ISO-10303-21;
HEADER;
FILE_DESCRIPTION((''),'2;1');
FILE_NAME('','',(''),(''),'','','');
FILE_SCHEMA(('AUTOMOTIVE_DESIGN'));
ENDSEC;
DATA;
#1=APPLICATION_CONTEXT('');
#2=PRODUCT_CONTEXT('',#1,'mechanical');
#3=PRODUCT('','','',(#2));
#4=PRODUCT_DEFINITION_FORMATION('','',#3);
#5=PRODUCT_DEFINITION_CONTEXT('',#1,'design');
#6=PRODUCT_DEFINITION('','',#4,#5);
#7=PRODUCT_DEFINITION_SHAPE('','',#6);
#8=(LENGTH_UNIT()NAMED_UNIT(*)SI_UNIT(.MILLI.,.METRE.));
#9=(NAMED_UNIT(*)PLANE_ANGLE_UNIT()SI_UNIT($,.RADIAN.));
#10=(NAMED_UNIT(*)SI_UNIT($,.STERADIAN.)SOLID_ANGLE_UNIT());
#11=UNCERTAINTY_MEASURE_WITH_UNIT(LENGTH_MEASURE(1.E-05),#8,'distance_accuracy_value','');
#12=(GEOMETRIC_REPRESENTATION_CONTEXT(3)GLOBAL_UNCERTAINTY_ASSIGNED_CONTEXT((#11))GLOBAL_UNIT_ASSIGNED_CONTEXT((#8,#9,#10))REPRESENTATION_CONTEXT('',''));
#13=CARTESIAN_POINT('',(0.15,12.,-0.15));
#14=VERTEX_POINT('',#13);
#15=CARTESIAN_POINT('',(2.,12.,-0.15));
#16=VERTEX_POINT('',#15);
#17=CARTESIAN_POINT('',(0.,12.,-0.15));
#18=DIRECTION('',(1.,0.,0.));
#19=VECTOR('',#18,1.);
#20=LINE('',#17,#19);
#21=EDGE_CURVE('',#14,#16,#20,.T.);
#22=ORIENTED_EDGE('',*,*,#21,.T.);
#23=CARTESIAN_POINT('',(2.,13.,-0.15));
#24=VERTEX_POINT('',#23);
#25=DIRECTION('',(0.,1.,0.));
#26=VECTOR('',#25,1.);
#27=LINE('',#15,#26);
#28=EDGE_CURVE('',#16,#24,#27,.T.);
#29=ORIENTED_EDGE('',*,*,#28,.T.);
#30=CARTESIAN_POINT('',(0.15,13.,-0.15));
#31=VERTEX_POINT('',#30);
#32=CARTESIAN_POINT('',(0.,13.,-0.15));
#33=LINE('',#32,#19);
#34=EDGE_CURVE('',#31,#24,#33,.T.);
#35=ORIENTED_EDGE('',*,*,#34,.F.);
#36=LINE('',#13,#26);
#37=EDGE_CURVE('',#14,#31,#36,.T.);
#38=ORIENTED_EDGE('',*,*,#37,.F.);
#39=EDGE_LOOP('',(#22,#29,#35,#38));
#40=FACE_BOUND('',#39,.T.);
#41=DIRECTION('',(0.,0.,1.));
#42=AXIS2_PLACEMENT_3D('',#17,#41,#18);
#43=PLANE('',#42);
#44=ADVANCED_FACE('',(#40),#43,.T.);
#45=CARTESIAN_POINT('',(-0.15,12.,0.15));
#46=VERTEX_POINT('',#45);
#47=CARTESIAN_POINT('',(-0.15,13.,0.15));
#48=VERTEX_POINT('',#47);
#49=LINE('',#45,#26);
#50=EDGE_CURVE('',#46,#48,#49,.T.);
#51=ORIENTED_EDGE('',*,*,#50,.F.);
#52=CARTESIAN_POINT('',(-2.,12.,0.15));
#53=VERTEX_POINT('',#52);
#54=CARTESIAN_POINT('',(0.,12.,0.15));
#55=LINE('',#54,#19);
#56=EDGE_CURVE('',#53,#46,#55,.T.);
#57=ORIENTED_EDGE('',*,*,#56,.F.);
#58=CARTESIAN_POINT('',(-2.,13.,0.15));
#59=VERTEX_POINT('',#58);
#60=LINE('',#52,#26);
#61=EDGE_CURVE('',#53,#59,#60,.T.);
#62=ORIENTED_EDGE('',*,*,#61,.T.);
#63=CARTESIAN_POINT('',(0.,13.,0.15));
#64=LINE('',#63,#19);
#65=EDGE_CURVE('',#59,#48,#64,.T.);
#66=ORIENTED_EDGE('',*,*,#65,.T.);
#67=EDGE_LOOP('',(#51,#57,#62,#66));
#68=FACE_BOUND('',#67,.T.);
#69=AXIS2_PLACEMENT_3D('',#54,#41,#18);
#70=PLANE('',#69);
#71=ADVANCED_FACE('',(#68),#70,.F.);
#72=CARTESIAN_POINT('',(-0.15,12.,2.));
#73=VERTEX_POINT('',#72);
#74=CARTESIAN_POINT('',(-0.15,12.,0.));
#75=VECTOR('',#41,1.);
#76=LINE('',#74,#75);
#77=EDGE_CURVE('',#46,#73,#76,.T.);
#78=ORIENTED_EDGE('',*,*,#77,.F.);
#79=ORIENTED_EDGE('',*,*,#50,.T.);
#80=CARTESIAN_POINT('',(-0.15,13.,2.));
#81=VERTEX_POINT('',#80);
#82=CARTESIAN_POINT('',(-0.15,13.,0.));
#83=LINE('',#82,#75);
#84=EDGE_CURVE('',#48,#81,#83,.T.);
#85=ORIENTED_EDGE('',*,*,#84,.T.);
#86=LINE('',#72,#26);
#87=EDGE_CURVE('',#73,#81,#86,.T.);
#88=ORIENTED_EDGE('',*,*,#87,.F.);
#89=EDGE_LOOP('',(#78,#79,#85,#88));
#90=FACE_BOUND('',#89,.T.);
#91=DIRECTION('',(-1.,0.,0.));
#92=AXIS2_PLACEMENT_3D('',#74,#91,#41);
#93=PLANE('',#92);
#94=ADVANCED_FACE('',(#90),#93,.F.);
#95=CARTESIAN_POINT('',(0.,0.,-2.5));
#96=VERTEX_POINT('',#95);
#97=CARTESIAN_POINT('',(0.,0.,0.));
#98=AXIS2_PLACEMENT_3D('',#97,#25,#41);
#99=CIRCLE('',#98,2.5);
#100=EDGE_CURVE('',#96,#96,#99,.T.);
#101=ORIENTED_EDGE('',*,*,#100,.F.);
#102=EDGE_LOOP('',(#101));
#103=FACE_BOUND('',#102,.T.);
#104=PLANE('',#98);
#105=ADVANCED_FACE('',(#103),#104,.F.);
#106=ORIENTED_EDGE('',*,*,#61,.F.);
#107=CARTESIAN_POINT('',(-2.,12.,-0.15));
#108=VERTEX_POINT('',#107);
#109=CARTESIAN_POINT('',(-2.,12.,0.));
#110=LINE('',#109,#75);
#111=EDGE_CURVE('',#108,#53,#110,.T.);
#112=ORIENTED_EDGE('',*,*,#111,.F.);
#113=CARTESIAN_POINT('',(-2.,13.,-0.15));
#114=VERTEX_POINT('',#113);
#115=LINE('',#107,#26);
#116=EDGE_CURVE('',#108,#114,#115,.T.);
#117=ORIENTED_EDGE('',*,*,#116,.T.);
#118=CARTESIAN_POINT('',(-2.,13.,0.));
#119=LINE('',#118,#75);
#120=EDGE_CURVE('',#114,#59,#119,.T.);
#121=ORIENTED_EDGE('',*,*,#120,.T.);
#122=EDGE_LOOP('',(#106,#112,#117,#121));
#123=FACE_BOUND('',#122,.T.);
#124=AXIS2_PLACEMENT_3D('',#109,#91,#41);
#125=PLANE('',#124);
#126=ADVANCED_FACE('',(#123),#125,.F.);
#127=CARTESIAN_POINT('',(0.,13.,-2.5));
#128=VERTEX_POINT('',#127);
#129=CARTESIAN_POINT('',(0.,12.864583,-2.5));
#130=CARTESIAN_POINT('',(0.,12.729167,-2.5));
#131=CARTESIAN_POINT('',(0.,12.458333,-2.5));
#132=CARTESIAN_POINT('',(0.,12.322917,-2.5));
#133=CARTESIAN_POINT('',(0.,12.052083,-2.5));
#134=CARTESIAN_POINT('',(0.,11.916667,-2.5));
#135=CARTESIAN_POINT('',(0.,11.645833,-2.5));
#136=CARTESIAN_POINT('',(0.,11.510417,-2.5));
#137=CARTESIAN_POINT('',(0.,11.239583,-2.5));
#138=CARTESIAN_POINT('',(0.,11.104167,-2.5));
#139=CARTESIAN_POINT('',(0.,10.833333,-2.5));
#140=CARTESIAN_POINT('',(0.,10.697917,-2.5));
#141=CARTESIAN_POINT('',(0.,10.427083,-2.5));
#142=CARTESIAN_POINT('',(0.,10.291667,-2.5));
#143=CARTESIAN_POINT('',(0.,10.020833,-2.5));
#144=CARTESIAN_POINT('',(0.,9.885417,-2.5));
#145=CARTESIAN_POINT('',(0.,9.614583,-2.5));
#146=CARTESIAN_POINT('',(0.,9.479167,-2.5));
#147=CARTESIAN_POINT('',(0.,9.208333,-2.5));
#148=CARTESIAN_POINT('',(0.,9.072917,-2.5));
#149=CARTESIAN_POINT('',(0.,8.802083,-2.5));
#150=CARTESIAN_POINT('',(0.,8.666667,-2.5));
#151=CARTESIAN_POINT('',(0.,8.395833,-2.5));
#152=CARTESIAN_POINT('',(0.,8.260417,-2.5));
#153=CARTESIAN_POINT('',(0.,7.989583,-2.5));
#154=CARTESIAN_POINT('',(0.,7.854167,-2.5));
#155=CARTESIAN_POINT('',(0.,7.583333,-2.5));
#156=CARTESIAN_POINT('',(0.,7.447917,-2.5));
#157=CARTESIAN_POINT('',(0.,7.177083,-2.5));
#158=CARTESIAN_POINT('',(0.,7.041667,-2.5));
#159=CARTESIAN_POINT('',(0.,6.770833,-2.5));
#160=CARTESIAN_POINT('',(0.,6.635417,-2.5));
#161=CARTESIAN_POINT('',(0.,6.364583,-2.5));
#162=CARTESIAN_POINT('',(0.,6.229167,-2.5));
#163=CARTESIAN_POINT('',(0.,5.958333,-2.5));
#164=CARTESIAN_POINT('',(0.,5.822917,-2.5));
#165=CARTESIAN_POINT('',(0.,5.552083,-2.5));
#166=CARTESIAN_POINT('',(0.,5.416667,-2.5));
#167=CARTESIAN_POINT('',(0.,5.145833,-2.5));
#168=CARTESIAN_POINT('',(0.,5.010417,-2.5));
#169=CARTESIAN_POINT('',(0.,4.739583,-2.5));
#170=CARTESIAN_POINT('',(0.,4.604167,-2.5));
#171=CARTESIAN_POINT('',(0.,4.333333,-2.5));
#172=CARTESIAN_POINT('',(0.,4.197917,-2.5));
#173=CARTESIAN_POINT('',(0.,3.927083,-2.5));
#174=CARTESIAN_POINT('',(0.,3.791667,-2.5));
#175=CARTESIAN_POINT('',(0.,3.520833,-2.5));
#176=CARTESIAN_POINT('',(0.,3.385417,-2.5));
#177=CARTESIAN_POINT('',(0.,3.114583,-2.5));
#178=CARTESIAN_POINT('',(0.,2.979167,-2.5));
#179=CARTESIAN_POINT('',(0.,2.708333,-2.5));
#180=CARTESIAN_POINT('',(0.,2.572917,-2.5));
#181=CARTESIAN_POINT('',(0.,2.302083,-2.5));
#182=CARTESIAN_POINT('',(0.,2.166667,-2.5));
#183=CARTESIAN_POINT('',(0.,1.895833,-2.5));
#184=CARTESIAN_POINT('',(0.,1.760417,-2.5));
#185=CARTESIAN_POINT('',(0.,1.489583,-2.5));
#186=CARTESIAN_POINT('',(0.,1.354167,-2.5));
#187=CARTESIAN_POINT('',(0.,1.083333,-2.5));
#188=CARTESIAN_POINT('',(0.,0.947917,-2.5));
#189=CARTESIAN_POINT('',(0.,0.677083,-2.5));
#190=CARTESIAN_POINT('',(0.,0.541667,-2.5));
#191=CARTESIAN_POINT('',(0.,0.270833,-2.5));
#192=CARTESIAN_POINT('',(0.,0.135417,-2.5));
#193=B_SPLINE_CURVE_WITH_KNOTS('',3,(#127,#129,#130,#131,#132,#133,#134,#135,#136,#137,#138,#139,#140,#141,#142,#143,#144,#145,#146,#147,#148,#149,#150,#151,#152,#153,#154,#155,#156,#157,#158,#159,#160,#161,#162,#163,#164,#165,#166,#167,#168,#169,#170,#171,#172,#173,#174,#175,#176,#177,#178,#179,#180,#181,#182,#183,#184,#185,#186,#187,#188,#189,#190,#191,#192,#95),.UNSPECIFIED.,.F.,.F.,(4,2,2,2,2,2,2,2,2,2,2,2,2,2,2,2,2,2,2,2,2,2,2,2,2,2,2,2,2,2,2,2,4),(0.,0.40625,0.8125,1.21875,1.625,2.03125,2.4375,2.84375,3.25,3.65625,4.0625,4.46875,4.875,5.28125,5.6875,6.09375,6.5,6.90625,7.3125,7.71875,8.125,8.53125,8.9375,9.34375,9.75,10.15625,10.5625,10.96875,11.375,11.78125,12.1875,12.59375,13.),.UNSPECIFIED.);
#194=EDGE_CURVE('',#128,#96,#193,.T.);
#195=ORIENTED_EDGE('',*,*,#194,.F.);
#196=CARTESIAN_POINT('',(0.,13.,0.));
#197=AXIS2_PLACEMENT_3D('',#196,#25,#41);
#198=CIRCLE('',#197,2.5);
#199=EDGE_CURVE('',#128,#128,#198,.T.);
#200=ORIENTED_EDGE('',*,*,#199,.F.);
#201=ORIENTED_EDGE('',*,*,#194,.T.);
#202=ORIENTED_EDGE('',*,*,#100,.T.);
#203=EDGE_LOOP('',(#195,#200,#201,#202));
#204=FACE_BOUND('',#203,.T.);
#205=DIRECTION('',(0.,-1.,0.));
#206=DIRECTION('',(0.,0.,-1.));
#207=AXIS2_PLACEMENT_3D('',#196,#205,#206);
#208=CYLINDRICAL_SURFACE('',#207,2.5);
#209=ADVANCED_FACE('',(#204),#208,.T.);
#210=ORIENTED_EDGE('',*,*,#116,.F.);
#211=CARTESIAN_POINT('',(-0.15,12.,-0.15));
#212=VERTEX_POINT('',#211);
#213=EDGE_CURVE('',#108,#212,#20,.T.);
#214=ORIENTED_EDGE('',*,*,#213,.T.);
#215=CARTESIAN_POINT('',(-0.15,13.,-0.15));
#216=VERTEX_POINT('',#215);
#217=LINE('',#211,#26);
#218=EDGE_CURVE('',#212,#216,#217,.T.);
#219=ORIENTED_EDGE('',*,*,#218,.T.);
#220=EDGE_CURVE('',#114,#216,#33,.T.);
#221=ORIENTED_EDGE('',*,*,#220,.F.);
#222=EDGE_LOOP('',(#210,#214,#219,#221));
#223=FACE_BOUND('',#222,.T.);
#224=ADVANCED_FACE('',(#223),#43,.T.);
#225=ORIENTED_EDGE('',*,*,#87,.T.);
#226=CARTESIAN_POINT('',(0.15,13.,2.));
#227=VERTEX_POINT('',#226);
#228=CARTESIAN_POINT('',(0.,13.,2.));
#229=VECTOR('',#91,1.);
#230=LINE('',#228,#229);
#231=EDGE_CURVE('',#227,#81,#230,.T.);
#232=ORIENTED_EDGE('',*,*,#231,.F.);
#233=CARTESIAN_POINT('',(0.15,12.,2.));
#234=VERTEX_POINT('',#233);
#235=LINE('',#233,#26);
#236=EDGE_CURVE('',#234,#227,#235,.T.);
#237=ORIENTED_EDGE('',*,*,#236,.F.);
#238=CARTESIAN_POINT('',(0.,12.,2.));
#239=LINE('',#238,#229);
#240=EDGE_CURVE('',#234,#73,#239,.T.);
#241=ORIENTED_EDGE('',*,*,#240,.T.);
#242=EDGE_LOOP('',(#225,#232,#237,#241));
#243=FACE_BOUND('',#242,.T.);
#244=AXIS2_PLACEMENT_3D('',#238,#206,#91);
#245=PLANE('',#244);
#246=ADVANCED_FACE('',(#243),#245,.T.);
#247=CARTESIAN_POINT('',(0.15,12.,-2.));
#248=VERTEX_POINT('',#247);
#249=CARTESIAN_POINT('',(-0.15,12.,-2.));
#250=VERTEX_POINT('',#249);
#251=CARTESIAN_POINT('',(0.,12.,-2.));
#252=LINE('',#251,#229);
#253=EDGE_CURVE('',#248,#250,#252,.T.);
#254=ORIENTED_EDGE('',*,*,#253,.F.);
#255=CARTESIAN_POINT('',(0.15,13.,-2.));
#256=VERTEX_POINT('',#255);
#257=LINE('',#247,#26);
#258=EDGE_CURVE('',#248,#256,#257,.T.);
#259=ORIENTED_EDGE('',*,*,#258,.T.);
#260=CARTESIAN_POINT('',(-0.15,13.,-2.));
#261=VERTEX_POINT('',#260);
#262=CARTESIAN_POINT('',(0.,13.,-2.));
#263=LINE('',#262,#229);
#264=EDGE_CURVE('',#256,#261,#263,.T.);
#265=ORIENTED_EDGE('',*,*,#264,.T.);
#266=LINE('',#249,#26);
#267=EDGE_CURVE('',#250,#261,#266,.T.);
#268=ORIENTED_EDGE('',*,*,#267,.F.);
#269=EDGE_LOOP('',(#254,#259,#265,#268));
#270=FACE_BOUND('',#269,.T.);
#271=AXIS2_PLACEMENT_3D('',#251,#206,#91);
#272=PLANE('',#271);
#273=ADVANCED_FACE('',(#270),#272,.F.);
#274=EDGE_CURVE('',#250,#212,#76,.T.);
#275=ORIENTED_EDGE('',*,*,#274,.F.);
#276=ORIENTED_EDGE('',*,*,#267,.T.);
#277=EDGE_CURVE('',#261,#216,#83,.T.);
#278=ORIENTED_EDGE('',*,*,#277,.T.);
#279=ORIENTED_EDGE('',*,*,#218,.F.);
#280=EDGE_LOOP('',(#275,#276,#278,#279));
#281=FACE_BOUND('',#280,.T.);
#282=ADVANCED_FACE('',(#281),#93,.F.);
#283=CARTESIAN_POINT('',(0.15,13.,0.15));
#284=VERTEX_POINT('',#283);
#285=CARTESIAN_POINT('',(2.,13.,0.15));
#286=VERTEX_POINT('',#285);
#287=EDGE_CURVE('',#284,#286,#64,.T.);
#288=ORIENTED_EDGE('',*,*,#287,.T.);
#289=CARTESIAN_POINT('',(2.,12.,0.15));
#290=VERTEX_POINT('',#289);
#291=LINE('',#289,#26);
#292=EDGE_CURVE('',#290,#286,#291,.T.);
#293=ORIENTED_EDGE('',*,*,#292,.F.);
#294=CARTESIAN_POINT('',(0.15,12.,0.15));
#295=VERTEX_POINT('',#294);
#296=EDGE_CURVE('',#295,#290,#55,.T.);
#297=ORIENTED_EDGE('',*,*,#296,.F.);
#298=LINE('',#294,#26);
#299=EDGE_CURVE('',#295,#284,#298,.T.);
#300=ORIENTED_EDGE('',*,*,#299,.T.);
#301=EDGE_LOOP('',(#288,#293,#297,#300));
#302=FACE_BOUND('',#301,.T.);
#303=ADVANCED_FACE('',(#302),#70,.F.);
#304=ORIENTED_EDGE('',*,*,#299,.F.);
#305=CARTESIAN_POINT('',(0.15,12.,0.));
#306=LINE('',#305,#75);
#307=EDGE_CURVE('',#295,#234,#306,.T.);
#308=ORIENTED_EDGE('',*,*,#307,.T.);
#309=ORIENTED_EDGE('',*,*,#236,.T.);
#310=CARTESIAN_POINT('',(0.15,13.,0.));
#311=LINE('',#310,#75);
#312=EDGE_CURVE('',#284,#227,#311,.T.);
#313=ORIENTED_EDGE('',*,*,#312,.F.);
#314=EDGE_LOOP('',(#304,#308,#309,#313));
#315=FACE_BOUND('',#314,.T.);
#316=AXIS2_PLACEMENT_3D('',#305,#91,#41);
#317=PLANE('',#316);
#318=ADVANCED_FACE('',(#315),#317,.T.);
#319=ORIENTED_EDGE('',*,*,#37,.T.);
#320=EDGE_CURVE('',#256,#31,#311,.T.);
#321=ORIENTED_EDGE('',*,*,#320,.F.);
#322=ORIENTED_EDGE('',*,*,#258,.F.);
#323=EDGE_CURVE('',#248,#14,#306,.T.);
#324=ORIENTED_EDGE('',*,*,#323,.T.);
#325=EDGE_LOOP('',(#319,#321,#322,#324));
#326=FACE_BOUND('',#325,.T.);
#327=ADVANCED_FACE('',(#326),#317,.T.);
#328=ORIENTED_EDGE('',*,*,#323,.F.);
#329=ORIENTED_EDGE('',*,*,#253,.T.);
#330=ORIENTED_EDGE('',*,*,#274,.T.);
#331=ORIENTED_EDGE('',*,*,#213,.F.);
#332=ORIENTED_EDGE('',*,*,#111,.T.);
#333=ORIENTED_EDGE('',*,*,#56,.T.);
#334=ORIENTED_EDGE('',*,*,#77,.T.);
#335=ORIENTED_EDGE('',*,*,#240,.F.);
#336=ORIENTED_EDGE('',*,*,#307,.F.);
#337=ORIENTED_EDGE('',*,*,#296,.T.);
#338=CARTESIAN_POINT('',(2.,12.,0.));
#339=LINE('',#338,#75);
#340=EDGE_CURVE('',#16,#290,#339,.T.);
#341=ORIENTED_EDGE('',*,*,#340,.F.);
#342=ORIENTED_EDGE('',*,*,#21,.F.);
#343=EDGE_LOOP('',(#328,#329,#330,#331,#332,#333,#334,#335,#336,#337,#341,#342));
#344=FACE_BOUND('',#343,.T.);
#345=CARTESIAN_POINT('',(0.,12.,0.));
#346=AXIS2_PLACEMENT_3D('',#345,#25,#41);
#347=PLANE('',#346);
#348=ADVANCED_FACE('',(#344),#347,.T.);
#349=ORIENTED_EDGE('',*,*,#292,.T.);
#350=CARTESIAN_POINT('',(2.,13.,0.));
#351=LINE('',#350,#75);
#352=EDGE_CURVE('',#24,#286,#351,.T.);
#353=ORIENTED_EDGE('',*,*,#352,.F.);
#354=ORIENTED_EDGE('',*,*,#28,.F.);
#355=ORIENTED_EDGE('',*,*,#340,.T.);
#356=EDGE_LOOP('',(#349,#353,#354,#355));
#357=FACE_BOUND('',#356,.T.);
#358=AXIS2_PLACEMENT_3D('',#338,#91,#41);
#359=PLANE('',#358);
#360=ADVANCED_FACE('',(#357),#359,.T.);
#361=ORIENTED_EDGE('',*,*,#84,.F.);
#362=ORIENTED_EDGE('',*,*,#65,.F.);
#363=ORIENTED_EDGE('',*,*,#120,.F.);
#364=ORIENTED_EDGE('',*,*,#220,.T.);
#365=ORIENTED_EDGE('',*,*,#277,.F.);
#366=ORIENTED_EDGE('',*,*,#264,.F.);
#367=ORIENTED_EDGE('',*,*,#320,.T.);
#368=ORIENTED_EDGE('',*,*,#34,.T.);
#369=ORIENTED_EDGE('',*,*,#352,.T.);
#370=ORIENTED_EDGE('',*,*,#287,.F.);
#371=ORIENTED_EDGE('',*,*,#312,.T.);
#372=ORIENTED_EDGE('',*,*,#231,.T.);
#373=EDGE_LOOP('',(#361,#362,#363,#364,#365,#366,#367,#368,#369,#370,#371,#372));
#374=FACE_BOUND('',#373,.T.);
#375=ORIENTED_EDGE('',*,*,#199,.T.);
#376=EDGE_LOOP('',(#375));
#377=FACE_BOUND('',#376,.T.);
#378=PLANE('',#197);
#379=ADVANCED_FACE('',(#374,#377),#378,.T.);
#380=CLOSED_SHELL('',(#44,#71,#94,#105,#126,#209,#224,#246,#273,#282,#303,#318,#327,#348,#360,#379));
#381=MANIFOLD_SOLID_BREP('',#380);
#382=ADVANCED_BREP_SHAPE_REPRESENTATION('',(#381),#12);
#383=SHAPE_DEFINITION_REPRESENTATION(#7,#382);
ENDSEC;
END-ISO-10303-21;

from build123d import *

# Parameters (mm, degrees)
SKETCH2_R           = 2.5
BOSS_EXTRUDE1_DEPTH = 13
SKETCH3_W           = 1.85
SKETCH3_H           = 0.3
SKETCH3_W_2         = 0.3
SKETCH3_H_2         = 1.85
CUT_EXTRUDE1_DEPTH  = 1


with BuildPart() as part:
    # Sketch2 → Boss-Extrude1 (new body)
    with BuildSketch(Plane(origin=(0, 0, 0), x_dir=(1, 0, 0), z_dir=(0, 1, 0))):
        with Locations(Location((0, 0, 0), (0, 0, 90))):
            Circle(SKETCH2_R)
    extrude(amount=BOSS_EXTRUDE1_DEPTH)

    # Sketch3 → Cut-Extrude1 (cut)
    with BuildSketch(Plane(origin=(0, 13, 0), x_dir=(1, 0, 0), z_dir=(0, 1, 0))):
        with Locations((1.075, 0)):
            Rectangle(SKETCH3_W, SKETCH3_H)
        Rectangle(SKETCH3_W_2, SKETCH3_H)
        with Locations((-1.075, 0)):
            Rectangle(SKETCH3_W, SKETCH3_H)
        with Locations((0, 1.075)):
            Rectangle(SKETCH3_W_2, SKETCH3_H_2)
        with Locations((0, -1.075)):
            Rectangle(SKETCH3_W_2, SKETCH3_H_2)
    extrude(amount=-CUT_EXTRUDE1_DEPTH, mode=Mode.SUBTRACT)


solid = part.part
